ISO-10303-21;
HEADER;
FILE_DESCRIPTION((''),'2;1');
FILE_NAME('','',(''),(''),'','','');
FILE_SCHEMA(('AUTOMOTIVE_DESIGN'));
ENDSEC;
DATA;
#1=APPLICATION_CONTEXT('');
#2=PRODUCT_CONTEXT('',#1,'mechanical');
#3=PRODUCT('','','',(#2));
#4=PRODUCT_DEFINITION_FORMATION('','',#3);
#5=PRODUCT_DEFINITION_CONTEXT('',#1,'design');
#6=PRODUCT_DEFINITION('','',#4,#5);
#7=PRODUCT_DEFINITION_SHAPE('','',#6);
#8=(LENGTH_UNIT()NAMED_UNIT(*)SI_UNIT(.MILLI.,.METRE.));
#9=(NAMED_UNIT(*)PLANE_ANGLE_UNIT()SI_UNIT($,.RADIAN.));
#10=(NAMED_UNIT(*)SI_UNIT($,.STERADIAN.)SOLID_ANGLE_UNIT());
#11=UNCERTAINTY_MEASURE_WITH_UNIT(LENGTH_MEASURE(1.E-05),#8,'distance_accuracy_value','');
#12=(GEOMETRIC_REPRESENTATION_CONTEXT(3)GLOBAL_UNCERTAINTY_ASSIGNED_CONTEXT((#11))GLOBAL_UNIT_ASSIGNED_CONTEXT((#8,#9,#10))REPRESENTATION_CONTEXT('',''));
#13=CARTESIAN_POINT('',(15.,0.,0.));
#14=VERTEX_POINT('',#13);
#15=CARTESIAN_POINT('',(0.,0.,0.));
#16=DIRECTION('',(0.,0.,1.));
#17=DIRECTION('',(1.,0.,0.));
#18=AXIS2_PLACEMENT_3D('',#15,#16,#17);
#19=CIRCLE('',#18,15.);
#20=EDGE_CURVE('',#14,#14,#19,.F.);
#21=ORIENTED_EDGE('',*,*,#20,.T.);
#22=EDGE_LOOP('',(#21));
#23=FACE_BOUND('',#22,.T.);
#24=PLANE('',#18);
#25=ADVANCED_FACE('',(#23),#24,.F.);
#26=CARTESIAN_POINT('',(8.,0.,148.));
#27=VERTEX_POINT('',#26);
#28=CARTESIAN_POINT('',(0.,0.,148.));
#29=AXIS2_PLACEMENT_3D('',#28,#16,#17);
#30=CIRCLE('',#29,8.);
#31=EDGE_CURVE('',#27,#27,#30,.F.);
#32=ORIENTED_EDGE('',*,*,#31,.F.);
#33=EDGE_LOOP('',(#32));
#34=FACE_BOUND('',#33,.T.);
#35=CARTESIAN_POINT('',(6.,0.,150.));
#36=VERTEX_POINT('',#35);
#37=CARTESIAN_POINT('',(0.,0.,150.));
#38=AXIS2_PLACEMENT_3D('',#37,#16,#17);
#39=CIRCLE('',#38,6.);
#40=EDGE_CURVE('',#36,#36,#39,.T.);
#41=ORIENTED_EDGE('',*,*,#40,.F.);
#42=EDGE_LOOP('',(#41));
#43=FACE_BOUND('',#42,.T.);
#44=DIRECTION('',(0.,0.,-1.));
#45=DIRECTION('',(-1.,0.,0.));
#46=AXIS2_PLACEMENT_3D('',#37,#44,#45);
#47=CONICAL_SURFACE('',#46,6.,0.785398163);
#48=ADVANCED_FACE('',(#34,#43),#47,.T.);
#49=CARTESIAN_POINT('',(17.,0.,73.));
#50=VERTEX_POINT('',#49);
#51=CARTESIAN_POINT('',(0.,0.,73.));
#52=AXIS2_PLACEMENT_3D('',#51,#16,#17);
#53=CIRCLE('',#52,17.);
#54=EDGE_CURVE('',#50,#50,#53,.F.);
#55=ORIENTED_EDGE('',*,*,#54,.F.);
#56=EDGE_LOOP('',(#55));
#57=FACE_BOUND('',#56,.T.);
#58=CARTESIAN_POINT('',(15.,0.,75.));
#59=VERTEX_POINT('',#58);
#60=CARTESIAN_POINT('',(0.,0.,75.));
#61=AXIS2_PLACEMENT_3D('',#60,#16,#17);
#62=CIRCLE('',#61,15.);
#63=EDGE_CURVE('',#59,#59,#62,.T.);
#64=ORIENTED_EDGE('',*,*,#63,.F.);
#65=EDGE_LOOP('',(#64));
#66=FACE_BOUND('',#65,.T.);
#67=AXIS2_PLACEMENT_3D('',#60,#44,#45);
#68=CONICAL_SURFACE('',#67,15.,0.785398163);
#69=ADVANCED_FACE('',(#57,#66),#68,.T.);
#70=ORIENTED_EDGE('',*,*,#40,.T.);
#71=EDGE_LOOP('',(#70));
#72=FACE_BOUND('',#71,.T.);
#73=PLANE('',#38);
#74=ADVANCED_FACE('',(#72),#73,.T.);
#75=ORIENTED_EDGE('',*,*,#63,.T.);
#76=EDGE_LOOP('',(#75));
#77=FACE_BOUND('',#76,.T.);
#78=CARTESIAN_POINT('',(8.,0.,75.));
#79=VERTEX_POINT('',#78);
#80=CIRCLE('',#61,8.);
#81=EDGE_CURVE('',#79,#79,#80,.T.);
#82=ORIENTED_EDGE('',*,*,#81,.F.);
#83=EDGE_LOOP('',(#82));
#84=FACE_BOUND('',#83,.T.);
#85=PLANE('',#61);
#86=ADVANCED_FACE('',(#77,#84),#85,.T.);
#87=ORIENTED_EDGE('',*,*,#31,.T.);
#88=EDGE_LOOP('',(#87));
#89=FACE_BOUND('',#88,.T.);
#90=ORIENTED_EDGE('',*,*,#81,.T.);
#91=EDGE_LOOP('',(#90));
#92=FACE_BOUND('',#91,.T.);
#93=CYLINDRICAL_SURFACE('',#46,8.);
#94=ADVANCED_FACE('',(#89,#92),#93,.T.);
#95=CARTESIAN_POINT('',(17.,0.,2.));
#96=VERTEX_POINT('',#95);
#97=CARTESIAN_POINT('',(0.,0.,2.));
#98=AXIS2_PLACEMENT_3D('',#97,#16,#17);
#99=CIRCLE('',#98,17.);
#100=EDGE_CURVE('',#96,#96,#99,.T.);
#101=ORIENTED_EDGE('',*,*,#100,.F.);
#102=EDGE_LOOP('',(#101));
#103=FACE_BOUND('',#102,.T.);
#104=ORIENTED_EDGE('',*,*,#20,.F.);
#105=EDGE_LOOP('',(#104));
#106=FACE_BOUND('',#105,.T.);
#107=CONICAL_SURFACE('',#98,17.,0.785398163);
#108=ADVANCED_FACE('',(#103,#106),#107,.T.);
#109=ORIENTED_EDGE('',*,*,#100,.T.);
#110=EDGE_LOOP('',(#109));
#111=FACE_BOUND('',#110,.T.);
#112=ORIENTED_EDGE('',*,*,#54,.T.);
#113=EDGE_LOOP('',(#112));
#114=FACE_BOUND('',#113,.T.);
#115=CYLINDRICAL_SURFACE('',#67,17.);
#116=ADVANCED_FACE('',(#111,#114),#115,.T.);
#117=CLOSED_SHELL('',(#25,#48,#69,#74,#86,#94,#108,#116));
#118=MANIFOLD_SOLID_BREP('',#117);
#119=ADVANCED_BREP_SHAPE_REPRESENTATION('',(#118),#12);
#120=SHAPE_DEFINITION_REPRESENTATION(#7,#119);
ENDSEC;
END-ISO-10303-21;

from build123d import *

# Parameters (mm, degrees)
SKETCH_1_R      = 17
EXTRUDE_1_DEPTH = 75
SKETCH_2_R      = 8
EXTRUDE_2_DEPTH = 75
CHAMFER_1_SIZE  = 2
CHAMFER_2_SIZE  = 2
CHAMFER_3_SIZE  = 2


with BuildPart() as part:
    # Эскиз1 → Бобышка-Вытянуть1 (new body)
    with BuildSketch(Plane.XY):
        Circle(SKETCH_1_R)
    extrude(amount=EXTRUDE_1_DEPTH)

    # Эскиз2 → Бобышка-Вытянуть2 (add)
    with BuildSketch(Plane.XY.offset(75)):
        Circle(SKETCH_2_R)
    extrude(amount=EXTRUDE_2_DEPTH)

    # Фаска1
    chamfer_1_edges = [part.edges().sort_by_distance(p)[0] for p in [
        (-8, 0, 150),
    ]]
    chamfer(chamfer_1_edges, length=CHAMFER_1_SIZE)

    # Фаска2
    chamfer_2_edges = [part.edges().sort_by_distance(p)[0] for p in [
        (-17, 0, 75),
    ]]
    chamfer(chamfer_2_edges, length=CHAMFER_2_SIZE)

    # Фаска3
    chamfer_3_edges = [part.edges().sort_by_distance(p)[0] for p in [
        (-17, 0, 0),
    ]]
    chamfer(chamfer_3_edges, length=CHAMFER_3_SIZE)


solid = part.part
